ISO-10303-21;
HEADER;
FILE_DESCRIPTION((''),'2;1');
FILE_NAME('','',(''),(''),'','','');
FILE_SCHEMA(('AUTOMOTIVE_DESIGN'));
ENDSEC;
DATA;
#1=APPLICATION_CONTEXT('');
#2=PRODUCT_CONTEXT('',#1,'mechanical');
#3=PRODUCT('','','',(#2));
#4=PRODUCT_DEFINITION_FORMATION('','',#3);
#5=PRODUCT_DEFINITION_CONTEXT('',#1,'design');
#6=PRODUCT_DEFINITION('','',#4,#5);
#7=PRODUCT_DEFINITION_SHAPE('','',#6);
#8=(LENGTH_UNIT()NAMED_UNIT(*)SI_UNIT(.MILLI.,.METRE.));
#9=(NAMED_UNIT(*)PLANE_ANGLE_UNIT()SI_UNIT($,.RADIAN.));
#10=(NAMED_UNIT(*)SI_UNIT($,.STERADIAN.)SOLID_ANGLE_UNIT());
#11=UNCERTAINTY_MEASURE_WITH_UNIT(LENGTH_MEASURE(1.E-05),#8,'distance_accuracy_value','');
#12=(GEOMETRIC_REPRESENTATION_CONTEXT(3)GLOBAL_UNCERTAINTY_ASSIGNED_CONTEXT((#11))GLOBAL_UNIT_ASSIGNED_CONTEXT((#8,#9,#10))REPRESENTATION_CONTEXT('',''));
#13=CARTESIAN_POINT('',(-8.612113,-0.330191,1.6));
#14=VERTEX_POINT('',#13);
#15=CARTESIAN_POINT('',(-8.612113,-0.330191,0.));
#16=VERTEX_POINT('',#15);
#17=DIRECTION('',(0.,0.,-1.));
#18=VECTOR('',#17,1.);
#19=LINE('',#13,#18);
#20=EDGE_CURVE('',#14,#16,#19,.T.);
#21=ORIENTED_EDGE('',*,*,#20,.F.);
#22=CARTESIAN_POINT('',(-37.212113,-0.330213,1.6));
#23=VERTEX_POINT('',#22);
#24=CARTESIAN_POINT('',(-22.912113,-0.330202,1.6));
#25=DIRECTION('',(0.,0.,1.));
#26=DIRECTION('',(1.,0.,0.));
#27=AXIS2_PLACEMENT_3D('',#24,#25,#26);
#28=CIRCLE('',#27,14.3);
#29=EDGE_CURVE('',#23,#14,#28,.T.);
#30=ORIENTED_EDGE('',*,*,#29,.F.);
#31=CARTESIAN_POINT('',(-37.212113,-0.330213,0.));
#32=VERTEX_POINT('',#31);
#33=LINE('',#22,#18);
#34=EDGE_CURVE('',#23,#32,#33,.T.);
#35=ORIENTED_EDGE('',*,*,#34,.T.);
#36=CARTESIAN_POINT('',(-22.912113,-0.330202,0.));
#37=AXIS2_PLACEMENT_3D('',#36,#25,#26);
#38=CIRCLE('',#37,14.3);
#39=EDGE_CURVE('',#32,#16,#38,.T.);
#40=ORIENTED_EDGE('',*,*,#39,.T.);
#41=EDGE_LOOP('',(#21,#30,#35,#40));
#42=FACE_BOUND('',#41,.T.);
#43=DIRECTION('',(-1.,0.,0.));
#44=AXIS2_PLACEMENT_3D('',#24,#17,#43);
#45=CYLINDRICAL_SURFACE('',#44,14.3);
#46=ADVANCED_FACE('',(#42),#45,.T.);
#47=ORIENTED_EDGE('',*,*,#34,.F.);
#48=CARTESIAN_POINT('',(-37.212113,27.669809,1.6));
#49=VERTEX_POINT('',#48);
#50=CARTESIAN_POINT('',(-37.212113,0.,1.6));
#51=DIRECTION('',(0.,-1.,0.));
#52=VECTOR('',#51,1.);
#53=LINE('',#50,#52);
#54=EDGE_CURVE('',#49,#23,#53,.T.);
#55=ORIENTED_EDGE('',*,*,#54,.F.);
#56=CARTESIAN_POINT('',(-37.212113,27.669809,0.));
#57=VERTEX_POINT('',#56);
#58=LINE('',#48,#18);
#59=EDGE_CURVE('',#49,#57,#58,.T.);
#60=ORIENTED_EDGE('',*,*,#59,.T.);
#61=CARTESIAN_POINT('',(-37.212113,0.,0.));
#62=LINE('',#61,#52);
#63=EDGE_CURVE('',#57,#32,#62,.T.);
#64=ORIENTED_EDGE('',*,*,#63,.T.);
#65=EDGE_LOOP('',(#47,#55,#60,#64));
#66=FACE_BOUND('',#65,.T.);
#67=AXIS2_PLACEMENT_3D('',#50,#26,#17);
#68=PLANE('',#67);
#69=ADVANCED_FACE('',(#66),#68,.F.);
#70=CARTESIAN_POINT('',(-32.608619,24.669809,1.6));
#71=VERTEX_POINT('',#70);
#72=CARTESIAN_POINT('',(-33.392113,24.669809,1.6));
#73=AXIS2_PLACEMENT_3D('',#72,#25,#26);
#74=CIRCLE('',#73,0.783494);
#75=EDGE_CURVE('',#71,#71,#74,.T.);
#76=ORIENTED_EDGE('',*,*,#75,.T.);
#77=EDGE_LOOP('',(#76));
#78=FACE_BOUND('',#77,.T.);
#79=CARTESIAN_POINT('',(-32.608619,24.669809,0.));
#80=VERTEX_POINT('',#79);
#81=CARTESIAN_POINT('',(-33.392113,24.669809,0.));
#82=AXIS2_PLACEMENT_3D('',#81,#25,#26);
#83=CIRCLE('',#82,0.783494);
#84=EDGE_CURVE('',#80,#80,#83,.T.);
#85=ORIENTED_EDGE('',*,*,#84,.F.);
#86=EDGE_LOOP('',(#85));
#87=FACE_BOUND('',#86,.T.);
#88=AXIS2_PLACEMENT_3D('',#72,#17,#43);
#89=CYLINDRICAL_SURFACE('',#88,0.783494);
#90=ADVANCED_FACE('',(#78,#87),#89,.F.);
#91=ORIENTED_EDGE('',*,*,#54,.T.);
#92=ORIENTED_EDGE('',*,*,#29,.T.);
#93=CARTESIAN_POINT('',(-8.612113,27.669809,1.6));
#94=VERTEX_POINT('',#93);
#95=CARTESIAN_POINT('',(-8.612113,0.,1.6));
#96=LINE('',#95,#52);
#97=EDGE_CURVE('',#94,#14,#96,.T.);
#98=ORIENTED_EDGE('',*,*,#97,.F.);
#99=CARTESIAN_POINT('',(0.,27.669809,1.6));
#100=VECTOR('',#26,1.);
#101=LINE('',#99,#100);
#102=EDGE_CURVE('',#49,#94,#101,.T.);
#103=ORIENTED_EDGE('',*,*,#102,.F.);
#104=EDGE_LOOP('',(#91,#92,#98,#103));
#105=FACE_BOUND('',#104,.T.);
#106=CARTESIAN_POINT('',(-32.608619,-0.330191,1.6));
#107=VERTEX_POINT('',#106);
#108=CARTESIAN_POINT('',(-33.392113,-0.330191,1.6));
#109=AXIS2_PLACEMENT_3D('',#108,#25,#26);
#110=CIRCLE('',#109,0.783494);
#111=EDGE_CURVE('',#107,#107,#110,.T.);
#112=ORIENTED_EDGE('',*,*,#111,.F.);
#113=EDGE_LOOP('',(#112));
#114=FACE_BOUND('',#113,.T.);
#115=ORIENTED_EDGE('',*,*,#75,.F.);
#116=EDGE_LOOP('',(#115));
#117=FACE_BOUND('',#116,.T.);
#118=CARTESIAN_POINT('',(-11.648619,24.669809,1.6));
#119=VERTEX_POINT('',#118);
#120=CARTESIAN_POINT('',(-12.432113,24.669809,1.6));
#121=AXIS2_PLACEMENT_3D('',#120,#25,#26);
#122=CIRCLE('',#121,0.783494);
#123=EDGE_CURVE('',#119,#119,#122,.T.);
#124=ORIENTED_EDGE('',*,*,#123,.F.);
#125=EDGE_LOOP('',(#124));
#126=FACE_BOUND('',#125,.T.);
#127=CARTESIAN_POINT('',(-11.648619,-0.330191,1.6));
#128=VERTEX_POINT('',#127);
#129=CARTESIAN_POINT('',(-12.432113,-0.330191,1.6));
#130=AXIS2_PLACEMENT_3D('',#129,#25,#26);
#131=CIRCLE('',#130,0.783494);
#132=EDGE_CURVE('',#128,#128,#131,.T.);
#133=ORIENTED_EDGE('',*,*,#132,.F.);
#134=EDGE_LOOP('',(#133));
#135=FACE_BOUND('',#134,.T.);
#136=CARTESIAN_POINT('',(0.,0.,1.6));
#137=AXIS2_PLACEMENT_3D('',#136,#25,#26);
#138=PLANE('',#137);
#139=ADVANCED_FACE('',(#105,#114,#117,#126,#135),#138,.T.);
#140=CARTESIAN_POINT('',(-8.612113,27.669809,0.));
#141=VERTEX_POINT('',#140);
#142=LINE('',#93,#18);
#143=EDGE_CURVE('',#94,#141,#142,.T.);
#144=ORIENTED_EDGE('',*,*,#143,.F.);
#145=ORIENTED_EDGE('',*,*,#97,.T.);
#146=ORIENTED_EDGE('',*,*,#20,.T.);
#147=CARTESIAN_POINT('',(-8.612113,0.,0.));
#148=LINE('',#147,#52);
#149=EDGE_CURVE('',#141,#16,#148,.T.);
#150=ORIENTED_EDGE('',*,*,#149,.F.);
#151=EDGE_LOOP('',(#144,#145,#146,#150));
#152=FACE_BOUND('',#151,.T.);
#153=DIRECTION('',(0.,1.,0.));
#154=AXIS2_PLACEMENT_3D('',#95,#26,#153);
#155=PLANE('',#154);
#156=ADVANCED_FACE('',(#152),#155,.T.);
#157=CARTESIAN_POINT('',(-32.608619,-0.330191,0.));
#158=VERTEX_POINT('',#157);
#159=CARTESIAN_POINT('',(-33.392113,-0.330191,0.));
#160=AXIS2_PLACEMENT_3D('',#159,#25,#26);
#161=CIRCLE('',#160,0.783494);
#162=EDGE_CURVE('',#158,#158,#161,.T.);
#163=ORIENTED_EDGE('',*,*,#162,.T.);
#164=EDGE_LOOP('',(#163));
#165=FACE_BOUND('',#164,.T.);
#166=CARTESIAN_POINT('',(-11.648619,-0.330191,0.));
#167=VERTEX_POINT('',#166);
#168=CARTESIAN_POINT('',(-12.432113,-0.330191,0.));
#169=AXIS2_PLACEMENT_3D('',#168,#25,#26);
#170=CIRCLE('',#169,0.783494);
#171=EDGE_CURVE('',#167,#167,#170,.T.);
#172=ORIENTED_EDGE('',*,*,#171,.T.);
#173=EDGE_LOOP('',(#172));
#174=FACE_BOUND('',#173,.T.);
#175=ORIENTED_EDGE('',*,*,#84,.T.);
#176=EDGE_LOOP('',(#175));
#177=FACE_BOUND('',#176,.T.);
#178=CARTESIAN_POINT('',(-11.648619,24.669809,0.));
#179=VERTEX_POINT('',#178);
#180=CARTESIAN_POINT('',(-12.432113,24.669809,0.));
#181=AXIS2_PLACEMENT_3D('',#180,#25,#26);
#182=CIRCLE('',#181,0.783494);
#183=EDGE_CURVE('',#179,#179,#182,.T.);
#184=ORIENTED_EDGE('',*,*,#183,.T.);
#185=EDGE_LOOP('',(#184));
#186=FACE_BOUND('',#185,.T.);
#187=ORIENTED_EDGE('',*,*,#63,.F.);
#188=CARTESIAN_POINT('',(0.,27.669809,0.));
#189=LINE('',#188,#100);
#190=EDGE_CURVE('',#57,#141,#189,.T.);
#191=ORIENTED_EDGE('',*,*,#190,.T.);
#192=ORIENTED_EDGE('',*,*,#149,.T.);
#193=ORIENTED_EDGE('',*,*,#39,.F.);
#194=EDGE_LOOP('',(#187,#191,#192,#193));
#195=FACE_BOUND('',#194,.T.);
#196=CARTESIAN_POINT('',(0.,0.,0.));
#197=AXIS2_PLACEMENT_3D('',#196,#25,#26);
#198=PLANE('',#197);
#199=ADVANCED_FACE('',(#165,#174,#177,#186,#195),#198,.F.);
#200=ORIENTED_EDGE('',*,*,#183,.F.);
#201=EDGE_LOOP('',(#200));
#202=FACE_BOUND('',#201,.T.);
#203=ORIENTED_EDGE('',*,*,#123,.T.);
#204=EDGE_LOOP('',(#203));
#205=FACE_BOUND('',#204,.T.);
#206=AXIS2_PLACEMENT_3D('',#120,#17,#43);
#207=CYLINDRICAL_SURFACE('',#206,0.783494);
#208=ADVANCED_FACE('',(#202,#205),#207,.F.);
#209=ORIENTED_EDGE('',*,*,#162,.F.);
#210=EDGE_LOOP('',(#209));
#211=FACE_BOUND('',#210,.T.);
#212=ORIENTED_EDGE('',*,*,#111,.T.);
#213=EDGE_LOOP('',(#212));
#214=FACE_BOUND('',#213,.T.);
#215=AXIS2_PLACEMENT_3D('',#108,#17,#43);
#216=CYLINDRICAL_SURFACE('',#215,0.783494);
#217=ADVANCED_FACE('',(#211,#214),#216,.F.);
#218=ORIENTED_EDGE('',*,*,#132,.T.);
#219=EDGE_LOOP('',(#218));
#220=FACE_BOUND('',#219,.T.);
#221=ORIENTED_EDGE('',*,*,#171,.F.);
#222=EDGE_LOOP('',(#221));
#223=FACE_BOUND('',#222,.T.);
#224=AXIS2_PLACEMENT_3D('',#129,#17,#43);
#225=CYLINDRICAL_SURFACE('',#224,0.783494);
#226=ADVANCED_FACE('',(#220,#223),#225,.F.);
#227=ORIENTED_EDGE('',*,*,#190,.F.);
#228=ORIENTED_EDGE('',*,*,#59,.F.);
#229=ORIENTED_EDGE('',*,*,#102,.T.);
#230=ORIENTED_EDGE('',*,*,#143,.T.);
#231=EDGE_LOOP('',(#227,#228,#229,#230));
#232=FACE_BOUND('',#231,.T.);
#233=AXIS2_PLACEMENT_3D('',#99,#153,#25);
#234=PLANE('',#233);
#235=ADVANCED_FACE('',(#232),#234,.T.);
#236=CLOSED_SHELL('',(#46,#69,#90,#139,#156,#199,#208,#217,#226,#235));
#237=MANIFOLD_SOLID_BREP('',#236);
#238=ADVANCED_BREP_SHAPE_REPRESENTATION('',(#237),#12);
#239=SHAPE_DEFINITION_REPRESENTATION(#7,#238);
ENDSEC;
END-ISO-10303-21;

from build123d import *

# Parameters (mm, degrees)
MODEL_R             = 0.7834936
MODEL_R_2           = 6.5
MODEL_W             = 10.5
MODEL_H             = 3
MODEL_H_2           = 4
MODEL_R_3           = 1.229367
EXTRUDE_8_DEPTH     = 1.6
CUT_EXTRUDE_1_DEPTH = 10


with BuildPart() as part:
    # Model → 凸台-拉伸8 (new body)
    with BuildSketch(Plane.XY):
        with BuildLine():
            Line((-28.162112801, 27.669809042), (-37.212112801, 27.669809042))
            Line((-37.212112801, 27.669809042), (-37.212112801, -0.330212606))
            ThreePointArc((-37.212112801, -0.330212606), (-22.912101977, -14.630201782), (-8.612112801, -0.330190958))
            Line((-8.612112801, -0.330190958), (-8.612112801, 27.669809042))
            Line((-8.612112801, 27.669809042), (-17.662112801, 27.669809042))
            Line((-17.662112801, 27.669809042), (-17.662112801, 24.669809042))
            Line((-17.662112801, 24.669809042), (-16.932112801, 24.669809042))
            ThreePointArc((-16.932112801, 24.669809042), (-15.87145263, 24.230469214), (-15.432112801, 23.169809042))
            Line((-15.432112801, 23.169809042), (-15.432112801, -0.330190958))
            ThreePointArc((-15.432112801, -0.330190958), (-22.912112801, -7.810190958), (-30.392112801, -0.330190958))
            Line((-30.392112801, -0.330190958), (-30.392112801, 23.169809042))
            ThreePointArc((-30.392112801, 23.169809042), (-29.952772973, 24.230469214), (-28.892112801, 24.669809042))
            Line((-28.892112801, 24.669809042), (-28.162112801, 24.669809042))
            Line((-28.162112801, 24.669809042), (-28.162112801, 27.669809042))
        make_face()
        with Locations((-33.392112801, -0.330190958)):
            Circle(MODEL_R, mode=Mode.SUBTRACT)
        with Locations((-12.432112801, -0.330190958)):
            Circle(MODEL_R, mode=Mode.SUBTRACT)
        with Locations((-33.392112801, 24.669809042)):
            Circle(MODEL_R, mode=Mode.SUBTRACT)
        with Locations((-12.432112801, 24.669809042)):
            Circle(MODEL_R, mode=Mode.SUBTRACT)
        with BuildLine():
            Line((-30.392112801, -0.330190958), (-30.392112801, 23.169809042))
            ThreePointArc((-30.392112801, 23.169809042), (-29.952772973, 24.230469214), (-28.892112801, 24.669809042))
            Line((-28.892112801, 24.669809042), (-16.932112801, 24.669809042))
            ThreePointArc((-16.932112801, 24.669809042), (-15.87145263, 24.230469214), (-15.432112801, 23.169809042))
            Line((-15.432112801, 23.169809042), (-15.432112801, -0.330190958))
            ThreePointArc((-15.432112801, -0.330190958), (-22.912112801, -7.810190958), (-30.392112801, -0.330190958))
        make_face()
        with Locations((-22.912112801, -0.330190958)):
            Circle(MODEL_R_2, mode=Mode.SUBTRACT)
        with Locations((-22.912112801, 26.169809042)):
            Rectangle(MODEL_W, MODEL_H)
        with Locations((-22.912112801, 29.669809042)):
            Rectangle(MODEL_W, MODEL_H_2)
        with Locations((-22.912112801, 29.669809042)):
            Circle(MODEL_R_3, mode=Mode.SUBTRACT)
        with Locations((-22.912112801, 29.669809042)):
            Circle(MODEL_R_3)
        with Locations((-22.912112801, -0.330190958)):
            Circle(MODEL_R_2)
    extrude(amount=EXTRUDE_8_DEPTH)

    # 草图1 → 切除-拉伸1 (cut)
    with BuildSketch(Plane.XY.offset(1.6)):
        Polygon((-28.162112801, 27.669809042), (-17.662112801, 27.669809042), (-17.662112801, 34.986019155), (-28.743542957, 34.986019155), align=None)
    extrude(amount=-CUT_EXTRUDE_1_DEPTH, mode=Mode.SUBTRACT)


solid = part.part
